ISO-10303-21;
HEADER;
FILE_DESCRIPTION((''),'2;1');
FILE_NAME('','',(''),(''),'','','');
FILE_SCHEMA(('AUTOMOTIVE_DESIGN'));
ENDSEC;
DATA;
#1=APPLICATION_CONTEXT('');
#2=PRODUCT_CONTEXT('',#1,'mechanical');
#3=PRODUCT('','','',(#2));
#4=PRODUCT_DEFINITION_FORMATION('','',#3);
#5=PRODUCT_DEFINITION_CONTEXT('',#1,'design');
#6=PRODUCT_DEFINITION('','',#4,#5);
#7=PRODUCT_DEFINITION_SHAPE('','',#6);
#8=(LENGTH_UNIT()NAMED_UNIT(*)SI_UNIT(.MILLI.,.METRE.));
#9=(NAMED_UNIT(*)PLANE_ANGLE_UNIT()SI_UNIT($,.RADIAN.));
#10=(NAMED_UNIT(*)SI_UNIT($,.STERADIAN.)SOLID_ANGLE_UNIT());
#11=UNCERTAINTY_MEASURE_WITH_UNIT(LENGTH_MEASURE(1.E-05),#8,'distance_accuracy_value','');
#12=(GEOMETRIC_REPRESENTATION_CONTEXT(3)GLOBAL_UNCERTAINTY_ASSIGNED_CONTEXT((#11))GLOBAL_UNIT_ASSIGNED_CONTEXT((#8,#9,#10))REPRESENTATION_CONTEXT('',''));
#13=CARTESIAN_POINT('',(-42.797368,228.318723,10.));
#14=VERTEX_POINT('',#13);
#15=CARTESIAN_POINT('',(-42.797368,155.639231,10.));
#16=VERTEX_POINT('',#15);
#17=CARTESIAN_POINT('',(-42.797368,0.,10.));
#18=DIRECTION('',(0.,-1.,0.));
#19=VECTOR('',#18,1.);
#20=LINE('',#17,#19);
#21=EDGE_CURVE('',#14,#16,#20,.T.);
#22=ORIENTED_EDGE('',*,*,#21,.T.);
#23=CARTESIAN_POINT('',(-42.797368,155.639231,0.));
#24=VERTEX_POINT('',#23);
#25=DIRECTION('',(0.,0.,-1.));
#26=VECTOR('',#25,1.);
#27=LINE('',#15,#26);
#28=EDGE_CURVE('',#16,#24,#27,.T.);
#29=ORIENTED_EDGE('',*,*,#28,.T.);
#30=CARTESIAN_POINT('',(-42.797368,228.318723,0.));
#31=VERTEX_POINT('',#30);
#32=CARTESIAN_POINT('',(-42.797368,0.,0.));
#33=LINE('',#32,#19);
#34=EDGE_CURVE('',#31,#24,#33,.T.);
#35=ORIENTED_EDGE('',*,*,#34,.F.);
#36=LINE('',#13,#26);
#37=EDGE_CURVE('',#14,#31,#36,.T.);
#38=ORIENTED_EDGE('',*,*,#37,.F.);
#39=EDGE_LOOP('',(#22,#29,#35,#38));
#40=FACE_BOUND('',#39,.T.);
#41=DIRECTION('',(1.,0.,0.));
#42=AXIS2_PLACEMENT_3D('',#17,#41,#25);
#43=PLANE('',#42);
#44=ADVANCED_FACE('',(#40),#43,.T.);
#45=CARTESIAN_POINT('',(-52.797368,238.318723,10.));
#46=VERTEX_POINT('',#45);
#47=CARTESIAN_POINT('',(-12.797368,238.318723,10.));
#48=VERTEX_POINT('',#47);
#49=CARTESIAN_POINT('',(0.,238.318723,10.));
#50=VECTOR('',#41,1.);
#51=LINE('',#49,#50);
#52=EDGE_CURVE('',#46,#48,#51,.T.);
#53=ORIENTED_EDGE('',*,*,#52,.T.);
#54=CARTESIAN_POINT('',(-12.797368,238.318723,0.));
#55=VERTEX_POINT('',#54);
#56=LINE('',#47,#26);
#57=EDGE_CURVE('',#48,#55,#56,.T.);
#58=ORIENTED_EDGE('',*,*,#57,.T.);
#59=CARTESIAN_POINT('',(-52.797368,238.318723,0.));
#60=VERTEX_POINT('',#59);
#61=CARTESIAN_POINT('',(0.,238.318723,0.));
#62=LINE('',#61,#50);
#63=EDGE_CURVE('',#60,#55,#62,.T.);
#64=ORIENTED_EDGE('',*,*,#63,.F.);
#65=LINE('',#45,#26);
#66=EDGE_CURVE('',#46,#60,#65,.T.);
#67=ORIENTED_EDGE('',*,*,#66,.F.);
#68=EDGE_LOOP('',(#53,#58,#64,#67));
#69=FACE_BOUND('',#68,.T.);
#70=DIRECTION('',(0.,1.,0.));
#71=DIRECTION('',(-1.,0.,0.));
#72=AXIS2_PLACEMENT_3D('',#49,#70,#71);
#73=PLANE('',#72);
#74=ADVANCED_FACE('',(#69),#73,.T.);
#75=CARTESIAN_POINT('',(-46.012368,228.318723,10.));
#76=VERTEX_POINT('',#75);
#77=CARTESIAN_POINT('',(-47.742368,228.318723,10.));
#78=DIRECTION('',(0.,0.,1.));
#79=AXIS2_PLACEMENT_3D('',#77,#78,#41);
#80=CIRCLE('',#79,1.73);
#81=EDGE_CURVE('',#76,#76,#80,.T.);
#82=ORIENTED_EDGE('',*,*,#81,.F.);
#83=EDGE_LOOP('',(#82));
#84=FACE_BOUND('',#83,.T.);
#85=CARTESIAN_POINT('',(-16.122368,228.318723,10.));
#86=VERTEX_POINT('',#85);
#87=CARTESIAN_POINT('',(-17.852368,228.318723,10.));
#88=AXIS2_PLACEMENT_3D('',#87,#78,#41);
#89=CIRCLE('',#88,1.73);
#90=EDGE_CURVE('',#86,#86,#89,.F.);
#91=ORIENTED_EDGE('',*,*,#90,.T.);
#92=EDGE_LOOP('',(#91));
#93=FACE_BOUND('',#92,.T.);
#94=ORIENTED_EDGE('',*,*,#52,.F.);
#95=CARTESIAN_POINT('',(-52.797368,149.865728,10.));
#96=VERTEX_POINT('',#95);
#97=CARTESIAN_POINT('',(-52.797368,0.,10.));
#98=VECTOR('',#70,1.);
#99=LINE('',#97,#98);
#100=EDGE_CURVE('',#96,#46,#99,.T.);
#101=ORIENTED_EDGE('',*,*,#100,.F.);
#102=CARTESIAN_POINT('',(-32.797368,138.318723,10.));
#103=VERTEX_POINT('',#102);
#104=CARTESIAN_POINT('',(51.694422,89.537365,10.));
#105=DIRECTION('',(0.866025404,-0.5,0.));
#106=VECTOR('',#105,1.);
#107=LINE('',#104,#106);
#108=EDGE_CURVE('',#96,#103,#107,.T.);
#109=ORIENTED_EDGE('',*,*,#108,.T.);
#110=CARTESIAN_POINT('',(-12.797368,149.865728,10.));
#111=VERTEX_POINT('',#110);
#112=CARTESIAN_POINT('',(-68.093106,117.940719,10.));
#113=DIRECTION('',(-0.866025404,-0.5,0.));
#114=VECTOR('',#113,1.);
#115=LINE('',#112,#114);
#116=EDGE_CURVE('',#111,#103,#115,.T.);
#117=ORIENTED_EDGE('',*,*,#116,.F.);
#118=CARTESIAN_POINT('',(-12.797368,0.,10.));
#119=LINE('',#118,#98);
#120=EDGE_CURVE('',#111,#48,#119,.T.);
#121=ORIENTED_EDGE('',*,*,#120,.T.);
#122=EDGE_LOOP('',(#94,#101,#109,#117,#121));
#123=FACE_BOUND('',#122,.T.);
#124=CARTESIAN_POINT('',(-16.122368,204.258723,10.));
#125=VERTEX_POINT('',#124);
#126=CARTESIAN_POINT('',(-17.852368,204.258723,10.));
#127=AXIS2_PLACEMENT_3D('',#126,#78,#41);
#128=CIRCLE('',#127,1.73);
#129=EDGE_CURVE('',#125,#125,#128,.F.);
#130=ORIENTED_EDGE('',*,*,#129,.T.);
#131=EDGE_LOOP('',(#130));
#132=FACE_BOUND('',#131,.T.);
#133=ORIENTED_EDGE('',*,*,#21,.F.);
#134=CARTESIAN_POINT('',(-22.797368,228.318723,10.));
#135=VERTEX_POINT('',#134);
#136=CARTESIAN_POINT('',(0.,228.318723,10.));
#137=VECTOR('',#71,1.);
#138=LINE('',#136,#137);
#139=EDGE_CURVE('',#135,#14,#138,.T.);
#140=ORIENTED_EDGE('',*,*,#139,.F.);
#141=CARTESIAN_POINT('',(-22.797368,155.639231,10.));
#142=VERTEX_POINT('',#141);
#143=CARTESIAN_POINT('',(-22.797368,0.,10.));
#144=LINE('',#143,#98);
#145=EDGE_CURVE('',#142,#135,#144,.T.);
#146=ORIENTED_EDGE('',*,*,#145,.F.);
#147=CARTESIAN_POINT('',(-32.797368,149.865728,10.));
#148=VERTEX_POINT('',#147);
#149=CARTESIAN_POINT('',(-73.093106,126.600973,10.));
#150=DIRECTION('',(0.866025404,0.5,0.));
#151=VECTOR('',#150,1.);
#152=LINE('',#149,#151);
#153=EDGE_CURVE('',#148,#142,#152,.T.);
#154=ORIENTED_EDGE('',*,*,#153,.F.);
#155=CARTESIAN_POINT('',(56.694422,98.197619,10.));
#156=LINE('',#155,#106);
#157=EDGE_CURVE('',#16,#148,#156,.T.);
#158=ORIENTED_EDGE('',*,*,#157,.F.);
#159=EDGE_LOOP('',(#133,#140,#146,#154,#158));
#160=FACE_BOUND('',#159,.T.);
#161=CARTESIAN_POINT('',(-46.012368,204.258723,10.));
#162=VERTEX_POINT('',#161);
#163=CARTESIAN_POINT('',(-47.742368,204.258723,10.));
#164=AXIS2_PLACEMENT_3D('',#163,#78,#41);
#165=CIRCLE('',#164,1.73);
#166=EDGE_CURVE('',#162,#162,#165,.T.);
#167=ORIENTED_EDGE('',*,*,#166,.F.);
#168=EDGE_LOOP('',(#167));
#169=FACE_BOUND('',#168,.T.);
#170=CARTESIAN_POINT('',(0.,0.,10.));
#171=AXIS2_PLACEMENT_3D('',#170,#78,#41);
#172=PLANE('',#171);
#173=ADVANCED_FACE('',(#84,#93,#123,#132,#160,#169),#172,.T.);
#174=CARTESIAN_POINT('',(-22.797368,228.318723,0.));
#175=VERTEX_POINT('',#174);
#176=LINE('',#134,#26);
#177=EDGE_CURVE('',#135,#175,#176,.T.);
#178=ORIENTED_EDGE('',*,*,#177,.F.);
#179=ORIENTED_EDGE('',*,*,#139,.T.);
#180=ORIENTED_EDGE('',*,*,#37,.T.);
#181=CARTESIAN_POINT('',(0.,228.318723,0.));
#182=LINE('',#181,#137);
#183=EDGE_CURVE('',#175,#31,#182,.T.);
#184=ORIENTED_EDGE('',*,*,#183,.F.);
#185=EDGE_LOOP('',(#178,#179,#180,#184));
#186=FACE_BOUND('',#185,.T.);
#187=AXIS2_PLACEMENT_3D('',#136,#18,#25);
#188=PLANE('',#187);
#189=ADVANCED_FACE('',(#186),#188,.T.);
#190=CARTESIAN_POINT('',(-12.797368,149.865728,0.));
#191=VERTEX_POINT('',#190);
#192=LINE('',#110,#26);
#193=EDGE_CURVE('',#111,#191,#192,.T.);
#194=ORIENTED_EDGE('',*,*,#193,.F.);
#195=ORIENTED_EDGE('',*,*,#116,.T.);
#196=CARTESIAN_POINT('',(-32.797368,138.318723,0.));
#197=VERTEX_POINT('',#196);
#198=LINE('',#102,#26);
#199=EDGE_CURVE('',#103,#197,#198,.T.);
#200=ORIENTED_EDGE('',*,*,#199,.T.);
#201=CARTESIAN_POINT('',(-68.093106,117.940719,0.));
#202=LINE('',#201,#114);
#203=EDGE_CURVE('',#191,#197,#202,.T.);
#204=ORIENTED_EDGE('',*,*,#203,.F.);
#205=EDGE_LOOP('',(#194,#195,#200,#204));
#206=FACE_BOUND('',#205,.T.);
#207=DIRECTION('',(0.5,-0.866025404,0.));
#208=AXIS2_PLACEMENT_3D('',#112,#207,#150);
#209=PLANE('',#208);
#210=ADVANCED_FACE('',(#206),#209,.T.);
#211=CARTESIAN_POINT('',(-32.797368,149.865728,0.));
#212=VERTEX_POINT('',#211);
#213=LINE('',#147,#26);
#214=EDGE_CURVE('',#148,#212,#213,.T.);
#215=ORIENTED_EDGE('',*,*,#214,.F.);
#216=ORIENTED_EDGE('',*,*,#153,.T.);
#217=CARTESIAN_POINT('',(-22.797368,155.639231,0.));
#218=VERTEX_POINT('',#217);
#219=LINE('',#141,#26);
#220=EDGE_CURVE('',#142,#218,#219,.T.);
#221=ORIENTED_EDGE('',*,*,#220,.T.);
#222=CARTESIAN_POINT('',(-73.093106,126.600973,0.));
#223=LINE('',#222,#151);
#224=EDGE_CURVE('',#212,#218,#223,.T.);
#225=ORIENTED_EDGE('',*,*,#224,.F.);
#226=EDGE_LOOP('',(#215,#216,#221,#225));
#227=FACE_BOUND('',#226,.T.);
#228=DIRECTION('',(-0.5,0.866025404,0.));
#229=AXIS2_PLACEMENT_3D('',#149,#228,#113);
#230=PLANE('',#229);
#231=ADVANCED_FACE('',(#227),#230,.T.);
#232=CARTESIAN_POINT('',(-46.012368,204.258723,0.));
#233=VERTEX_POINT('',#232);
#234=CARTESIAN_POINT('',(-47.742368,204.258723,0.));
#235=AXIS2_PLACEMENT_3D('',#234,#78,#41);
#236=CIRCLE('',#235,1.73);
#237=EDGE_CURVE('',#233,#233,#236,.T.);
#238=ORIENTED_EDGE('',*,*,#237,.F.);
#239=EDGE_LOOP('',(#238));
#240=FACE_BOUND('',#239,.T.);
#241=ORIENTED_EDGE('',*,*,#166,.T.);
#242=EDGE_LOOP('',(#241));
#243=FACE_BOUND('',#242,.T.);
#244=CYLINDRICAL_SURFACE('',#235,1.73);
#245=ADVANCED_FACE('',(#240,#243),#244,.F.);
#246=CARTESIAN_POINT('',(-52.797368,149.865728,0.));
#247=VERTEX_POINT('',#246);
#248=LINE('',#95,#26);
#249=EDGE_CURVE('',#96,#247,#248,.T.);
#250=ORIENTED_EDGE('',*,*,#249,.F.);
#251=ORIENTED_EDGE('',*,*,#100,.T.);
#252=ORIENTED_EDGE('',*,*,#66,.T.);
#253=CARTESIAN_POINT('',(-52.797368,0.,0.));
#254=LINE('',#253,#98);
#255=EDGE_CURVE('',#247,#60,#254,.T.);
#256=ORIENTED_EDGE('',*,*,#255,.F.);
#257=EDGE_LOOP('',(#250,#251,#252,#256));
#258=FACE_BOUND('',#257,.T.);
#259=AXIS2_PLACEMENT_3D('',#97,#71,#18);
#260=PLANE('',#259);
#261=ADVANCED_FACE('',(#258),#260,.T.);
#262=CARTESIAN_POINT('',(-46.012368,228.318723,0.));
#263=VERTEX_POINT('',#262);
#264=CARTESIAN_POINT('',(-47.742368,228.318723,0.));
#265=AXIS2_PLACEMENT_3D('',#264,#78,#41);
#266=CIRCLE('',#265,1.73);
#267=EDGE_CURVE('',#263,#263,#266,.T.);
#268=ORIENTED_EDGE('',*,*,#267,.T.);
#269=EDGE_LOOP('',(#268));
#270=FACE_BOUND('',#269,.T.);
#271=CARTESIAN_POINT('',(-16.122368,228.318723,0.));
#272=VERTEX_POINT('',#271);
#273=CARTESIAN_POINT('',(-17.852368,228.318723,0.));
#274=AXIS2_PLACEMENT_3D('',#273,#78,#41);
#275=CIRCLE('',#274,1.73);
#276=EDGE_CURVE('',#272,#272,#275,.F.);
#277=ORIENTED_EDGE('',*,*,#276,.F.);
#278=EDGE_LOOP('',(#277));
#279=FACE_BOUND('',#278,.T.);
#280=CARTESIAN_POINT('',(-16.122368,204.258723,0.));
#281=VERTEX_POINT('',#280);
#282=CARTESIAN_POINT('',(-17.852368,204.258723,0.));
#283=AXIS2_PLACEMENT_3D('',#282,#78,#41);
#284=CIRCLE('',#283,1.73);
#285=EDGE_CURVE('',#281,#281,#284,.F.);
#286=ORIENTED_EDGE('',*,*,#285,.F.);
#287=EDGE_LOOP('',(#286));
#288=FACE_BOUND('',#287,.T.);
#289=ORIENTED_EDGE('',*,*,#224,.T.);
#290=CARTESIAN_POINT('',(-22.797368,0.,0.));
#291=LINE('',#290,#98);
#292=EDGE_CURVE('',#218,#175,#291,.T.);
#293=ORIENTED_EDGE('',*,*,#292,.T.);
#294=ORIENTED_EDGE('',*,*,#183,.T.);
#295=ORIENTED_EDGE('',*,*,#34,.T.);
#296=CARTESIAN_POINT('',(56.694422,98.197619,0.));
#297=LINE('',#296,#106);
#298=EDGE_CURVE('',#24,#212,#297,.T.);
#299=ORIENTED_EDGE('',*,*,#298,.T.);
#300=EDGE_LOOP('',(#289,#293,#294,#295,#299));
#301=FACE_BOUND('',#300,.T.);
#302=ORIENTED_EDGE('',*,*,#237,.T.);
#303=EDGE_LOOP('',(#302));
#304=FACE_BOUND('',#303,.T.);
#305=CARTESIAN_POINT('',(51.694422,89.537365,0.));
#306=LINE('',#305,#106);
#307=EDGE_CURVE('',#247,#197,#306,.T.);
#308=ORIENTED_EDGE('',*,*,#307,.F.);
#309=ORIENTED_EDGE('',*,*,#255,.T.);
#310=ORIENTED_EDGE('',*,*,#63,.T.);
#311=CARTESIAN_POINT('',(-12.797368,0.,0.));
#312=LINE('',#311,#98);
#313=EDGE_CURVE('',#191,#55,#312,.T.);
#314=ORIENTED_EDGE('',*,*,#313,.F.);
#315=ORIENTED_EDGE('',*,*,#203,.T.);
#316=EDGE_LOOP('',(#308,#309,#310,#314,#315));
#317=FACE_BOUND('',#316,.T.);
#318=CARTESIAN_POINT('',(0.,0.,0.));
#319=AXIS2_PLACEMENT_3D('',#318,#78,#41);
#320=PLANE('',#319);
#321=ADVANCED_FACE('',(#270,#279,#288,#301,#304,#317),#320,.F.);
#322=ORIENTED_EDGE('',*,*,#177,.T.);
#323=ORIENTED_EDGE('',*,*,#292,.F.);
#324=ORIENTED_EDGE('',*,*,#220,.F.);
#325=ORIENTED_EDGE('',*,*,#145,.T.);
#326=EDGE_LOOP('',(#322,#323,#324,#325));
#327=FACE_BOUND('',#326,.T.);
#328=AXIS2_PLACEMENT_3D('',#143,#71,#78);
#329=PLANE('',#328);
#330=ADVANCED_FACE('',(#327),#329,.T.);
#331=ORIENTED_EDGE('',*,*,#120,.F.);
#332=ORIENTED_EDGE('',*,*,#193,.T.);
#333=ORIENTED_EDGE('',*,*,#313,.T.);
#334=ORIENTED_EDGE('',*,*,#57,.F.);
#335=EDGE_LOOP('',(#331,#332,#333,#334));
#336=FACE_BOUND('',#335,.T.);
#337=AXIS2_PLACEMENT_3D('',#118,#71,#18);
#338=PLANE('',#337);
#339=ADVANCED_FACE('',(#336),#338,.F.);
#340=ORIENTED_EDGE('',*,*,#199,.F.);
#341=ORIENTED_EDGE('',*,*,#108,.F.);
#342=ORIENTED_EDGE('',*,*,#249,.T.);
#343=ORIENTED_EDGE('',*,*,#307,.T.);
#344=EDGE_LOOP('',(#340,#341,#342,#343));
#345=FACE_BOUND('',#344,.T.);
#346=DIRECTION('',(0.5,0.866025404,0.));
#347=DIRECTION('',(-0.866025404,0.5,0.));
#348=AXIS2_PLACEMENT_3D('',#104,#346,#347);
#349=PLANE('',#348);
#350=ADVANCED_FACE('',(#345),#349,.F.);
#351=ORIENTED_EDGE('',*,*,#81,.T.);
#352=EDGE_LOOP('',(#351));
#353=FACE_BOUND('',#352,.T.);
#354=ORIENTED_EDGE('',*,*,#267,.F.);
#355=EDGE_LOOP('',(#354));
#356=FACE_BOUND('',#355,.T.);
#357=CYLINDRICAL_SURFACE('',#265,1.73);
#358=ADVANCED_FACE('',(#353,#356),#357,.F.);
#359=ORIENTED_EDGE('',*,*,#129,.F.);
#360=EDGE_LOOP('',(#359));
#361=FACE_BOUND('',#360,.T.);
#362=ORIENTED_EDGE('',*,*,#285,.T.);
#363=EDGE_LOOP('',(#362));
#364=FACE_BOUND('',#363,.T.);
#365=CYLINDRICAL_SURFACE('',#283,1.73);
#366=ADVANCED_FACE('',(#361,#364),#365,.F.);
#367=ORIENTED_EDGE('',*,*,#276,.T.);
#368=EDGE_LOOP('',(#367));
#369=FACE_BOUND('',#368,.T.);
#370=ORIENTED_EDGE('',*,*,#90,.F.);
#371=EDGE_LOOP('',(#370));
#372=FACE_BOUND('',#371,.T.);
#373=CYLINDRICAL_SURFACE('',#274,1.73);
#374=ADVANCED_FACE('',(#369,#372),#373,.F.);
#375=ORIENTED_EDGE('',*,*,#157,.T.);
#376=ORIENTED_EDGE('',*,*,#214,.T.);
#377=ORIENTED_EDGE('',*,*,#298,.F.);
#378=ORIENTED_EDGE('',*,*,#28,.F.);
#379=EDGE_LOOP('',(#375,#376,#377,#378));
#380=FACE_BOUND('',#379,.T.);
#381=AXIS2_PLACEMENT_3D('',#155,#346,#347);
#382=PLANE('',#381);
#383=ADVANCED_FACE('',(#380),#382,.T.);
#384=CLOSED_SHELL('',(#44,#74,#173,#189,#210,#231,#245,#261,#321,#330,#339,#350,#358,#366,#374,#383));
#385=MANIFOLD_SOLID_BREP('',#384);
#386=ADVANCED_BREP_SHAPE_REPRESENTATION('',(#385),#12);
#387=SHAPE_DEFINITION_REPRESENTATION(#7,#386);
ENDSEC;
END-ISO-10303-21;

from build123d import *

# Parameters (mm, degrees)
BOSS_EXTRUDE1_DEPTH = 10
SKETCH3_R           = 1.73
CUT_EXTRUDE1_DEPTH  = 10


with BuildPart() as part:
    # Sketch1 → Boss-Extrude1 (new body)
    with BuildSketch(Plane.XY):
        Polygon((-12.797368251, 238.318722846), (-32.797368251, 238.318722846), (-32.797368251, 228.318722846), (-22.797368251, 228.318722846), (-22.797368251, 155.639230922), (-22.797368251, 144.092225538), (-12.797368251, 149.86572823), align=None)
        Polygon((-32.797368251, 228.318722846), (-32.797368251, 238.318722846), (-52.797368251, 238.318722846), (-52.797368251, 149.86572823), (-42.797368251, 144.092225538), (-42.797368251, 155.639230922), (-42.797368251, 228.318722846), align=None)
        Polygon((-32.797368251, 138.318722846), (-32.797368251, 149.86572823), (-37.797368251, 152.752479576), (-42.797368251, 155.639230922), (-42.797368251, 144.092225538), align=None)
        Polygon((-27.797368251, 152.752479576), (-32.797368251, 149.86572823), (-32.797368251, 138.318722846), (-22.797368251, 144.092225538), (-22.797368251, 155.639230922), align=None)
    extrude(amount=BOSS_EXTRUDE1_DEPTH)

    # Sketch3 → Cut-Extrude1 (cut)
    with BuildSketch(Plane.XY.offset(10)):
        with Locations((-47.742368251, 228.318722846)):
            Circle(SKETCH3_R)
        with Locations((-47.742368251, 204.258722846)):
            Circle(SKETCH3_R)
        with Locations((-17.852368251, 204.258722846)):
            Circle(SKETCH3_R)
        with Locations((-17.852368251, 228.318722846)):
            Circle(SKETCH3_R)
    extrude(amount=-CUT_EXTRUDE1_DEPTH, mode=Mode.SUBTRACT)


solid = part.part
